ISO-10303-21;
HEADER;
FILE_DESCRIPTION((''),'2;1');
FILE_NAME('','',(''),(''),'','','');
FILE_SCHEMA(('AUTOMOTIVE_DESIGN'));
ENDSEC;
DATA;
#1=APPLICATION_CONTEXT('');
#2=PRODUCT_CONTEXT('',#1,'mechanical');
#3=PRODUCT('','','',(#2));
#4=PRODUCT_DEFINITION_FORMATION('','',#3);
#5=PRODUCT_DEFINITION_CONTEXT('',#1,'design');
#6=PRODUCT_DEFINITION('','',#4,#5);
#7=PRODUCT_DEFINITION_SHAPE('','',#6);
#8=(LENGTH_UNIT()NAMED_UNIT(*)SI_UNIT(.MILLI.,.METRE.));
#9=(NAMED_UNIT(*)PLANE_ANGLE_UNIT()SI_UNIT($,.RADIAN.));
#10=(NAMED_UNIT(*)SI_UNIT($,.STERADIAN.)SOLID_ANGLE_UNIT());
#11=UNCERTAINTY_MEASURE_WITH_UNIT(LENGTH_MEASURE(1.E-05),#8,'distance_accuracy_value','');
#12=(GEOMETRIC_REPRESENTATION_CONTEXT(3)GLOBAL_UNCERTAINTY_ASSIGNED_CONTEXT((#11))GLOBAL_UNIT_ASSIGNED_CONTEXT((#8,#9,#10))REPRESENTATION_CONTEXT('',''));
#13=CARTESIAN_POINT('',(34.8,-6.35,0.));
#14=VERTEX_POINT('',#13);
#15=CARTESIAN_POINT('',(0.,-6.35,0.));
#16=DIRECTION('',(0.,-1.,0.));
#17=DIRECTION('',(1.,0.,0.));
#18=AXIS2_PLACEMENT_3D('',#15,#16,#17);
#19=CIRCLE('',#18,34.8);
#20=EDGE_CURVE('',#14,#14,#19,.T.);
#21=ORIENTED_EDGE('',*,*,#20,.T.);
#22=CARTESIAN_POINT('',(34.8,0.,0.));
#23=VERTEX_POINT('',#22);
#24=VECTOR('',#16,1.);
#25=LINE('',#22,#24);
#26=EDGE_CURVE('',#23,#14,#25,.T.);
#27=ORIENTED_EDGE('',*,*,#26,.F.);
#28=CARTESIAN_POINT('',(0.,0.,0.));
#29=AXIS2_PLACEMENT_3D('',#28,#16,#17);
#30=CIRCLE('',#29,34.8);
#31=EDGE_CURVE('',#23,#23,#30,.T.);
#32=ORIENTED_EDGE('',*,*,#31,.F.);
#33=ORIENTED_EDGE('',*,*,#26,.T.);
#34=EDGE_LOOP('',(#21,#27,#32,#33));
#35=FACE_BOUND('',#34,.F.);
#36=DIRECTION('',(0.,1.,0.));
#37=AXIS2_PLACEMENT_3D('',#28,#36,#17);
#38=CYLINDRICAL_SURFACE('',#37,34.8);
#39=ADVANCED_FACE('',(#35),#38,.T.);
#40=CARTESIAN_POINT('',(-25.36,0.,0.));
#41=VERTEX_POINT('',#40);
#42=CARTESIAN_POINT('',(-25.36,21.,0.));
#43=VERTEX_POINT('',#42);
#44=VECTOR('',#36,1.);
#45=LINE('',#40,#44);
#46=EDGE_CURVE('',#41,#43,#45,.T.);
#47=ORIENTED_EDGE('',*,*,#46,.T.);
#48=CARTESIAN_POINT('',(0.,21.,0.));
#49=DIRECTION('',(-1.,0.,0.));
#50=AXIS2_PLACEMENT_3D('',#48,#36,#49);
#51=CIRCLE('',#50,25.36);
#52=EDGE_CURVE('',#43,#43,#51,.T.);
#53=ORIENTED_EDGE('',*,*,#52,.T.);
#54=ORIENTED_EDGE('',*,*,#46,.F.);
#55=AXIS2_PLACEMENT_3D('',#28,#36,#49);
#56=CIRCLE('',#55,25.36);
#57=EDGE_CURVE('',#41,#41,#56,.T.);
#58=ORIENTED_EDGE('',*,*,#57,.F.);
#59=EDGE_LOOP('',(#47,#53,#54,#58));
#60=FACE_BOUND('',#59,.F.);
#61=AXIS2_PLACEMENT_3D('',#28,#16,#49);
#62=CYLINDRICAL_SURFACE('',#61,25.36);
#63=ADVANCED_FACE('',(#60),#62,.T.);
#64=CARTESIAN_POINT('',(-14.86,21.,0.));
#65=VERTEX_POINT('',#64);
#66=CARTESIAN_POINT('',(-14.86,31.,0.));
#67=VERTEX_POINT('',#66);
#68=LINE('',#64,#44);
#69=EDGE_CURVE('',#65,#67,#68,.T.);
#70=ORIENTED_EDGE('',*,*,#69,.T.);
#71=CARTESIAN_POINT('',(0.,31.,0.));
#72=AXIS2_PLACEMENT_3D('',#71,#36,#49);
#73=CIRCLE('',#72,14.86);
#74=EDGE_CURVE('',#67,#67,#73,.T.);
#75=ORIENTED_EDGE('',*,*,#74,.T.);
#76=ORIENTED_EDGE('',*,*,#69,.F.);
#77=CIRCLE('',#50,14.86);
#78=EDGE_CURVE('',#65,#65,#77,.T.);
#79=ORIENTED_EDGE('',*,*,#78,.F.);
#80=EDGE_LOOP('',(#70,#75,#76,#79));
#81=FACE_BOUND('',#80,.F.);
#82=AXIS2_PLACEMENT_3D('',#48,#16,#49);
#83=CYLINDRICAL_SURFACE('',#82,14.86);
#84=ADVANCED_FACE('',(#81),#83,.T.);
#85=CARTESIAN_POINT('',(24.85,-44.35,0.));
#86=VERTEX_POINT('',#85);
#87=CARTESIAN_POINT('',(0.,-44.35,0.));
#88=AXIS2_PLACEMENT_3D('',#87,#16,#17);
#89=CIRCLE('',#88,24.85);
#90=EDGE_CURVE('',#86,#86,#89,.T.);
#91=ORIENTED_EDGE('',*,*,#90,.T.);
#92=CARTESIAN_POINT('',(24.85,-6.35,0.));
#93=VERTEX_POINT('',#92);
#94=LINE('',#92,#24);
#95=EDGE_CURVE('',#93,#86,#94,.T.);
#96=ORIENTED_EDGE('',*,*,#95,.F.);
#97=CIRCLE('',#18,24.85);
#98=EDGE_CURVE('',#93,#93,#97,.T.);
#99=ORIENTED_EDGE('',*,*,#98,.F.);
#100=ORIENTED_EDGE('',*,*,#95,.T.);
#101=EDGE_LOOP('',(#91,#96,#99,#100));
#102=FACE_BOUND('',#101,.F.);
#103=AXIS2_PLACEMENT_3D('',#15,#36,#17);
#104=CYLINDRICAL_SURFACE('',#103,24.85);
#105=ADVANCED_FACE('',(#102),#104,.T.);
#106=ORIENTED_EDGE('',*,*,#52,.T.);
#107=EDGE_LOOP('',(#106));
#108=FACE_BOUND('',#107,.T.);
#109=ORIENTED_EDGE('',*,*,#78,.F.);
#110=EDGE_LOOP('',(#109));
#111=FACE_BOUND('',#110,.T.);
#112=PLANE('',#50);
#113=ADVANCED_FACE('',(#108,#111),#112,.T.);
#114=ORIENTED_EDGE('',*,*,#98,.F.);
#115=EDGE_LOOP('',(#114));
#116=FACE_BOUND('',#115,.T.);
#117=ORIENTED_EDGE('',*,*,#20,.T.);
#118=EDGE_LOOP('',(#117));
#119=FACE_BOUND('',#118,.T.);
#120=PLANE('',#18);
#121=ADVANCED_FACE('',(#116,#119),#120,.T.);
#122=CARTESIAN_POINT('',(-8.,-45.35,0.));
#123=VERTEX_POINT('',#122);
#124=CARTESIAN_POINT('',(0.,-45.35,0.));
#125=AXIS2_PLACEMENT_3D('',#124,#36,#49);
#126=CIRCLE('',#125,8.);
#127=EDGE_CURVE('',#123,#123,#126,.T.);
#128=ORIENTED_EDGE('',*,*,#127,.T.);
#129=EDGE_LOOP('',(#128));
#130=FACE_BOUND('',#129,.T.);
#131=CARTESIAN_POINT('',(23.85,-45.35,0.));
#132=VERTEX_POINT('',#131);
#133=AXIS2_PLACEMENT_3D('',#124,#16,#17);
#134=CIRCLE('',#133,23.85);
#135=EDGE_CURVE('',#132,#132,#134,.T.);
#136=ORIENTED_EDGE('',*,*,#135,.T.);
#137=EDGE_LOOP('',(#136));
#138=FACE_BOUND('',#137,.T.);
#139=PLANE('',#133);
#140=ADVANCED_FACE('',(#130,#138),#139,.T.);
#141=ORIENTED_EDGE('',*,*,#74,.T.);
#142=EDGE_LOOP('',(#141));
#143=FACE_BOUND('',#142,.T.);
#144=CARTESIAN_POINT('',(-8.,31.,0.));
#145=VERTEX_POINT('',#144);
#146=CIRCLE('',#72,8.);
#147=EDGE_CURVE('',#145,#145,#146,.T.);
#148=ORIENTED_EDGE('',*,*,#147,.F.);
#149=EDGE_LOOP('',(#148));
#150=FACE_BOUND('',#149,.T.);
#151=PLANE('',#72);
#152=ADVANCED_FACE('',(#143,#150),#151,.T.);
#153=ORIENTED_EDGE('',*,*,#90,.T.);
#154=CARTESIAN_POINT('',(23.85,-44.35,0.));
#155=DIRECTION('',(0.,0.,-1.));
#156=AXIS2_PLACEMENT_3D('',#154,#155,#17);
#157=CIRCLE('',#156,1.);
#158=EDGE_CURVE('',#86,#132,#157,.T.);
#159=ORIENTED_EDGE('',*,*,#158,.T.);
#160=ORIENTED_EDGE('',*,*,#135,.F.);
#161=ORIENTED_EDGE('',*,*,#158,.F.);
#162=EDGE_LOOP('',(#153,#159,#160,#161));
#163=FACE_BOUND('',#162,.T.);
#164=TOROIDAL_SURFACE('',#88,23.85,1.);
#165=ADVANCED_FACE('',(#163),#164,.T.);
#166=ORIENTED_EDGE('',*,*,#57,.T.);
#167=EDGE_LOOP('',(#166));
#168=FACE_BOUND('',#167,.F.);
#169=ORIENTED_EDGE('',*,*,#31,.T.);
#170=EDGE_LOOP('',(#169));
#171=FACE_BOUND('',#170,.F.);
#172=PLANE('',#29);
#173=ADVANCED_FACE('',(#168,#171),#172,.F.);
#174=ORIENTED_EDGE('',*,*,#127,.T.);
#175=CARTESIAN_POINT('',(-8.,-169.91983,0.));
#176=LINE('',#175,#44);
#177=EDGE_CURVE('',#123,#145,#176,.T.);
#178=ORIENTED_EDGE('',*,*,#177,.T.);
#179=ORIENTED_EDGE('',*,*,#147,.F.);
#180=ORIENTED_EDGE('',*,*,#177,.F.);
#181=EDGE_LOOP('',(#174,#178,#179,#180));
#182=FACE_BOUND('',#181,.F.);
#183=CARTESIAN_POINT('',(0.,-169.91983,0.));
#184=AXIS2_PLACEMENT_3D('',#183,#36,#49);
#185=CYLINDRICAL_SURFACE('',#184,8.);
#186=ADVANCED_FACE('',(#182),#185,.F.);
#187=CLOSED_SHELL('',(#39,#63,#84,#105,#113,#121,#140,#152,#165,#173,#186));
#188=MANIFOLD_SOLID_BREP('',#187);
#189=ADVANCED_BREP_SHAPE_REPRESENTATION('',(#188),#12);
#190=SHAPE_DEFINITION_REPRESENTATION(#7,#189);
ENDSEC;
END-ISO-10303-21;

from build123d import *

# Parameters (mm, degrees)
F0_R     = 34.8
F1_DEPTH = 6.35
F2_R     = 24.85
F3_DEPTH = 39
F4_R     = 1
F5_R     = 25.36
F6_DEPTH = 21
F7_R     = 14.86
F8_DEPTH = 10
F10_D    = 16


with BuildPart() as f1:
    # F0 (on Front) → F1 (new body)
    with BuildSketch(Plane.XZ):
        Circle(F0_R)
    extrude(amount=F1_DEPTH)

    # F2 (on face) → F3 (join)
    with BuildSketch(Plane.XZ.offset(6.35)):
        Circle(F2_R)
    extrude(amount=F3_DEPTH)

    # F4
    f4_edges = [f1.edges().sort_by_distance(p)[0] for p in [
        (-24.85, -45.35, 0),
    ]]
    fillet(f4_edges, radius=F4_R)

    # F5 (on face) → F6 (join)
    with BuildSketch(Plane(origin=(0, 0, 0), x_dir=(-1, 0, 0), z_dir=(0, 1, 0))):
        Circle(F5_R)
    extrude(amount=F6_DEPTH)

    # F7 (on face) → F8 (join)
    with BuildSketch(Plane(origin=(0, 21, 0), x_dir=(-1, 0, 0), z_dir=(0, 1, 0))):
        Circle(F7_R)
    extrude(amount=F8_DEPTH)

    # F10 (through all)
    with Locations(Plane.XZ.offset(45.35)):
        with Locations((0, 0)):
            Hole(F10_D / 2)


solid = f1.part
